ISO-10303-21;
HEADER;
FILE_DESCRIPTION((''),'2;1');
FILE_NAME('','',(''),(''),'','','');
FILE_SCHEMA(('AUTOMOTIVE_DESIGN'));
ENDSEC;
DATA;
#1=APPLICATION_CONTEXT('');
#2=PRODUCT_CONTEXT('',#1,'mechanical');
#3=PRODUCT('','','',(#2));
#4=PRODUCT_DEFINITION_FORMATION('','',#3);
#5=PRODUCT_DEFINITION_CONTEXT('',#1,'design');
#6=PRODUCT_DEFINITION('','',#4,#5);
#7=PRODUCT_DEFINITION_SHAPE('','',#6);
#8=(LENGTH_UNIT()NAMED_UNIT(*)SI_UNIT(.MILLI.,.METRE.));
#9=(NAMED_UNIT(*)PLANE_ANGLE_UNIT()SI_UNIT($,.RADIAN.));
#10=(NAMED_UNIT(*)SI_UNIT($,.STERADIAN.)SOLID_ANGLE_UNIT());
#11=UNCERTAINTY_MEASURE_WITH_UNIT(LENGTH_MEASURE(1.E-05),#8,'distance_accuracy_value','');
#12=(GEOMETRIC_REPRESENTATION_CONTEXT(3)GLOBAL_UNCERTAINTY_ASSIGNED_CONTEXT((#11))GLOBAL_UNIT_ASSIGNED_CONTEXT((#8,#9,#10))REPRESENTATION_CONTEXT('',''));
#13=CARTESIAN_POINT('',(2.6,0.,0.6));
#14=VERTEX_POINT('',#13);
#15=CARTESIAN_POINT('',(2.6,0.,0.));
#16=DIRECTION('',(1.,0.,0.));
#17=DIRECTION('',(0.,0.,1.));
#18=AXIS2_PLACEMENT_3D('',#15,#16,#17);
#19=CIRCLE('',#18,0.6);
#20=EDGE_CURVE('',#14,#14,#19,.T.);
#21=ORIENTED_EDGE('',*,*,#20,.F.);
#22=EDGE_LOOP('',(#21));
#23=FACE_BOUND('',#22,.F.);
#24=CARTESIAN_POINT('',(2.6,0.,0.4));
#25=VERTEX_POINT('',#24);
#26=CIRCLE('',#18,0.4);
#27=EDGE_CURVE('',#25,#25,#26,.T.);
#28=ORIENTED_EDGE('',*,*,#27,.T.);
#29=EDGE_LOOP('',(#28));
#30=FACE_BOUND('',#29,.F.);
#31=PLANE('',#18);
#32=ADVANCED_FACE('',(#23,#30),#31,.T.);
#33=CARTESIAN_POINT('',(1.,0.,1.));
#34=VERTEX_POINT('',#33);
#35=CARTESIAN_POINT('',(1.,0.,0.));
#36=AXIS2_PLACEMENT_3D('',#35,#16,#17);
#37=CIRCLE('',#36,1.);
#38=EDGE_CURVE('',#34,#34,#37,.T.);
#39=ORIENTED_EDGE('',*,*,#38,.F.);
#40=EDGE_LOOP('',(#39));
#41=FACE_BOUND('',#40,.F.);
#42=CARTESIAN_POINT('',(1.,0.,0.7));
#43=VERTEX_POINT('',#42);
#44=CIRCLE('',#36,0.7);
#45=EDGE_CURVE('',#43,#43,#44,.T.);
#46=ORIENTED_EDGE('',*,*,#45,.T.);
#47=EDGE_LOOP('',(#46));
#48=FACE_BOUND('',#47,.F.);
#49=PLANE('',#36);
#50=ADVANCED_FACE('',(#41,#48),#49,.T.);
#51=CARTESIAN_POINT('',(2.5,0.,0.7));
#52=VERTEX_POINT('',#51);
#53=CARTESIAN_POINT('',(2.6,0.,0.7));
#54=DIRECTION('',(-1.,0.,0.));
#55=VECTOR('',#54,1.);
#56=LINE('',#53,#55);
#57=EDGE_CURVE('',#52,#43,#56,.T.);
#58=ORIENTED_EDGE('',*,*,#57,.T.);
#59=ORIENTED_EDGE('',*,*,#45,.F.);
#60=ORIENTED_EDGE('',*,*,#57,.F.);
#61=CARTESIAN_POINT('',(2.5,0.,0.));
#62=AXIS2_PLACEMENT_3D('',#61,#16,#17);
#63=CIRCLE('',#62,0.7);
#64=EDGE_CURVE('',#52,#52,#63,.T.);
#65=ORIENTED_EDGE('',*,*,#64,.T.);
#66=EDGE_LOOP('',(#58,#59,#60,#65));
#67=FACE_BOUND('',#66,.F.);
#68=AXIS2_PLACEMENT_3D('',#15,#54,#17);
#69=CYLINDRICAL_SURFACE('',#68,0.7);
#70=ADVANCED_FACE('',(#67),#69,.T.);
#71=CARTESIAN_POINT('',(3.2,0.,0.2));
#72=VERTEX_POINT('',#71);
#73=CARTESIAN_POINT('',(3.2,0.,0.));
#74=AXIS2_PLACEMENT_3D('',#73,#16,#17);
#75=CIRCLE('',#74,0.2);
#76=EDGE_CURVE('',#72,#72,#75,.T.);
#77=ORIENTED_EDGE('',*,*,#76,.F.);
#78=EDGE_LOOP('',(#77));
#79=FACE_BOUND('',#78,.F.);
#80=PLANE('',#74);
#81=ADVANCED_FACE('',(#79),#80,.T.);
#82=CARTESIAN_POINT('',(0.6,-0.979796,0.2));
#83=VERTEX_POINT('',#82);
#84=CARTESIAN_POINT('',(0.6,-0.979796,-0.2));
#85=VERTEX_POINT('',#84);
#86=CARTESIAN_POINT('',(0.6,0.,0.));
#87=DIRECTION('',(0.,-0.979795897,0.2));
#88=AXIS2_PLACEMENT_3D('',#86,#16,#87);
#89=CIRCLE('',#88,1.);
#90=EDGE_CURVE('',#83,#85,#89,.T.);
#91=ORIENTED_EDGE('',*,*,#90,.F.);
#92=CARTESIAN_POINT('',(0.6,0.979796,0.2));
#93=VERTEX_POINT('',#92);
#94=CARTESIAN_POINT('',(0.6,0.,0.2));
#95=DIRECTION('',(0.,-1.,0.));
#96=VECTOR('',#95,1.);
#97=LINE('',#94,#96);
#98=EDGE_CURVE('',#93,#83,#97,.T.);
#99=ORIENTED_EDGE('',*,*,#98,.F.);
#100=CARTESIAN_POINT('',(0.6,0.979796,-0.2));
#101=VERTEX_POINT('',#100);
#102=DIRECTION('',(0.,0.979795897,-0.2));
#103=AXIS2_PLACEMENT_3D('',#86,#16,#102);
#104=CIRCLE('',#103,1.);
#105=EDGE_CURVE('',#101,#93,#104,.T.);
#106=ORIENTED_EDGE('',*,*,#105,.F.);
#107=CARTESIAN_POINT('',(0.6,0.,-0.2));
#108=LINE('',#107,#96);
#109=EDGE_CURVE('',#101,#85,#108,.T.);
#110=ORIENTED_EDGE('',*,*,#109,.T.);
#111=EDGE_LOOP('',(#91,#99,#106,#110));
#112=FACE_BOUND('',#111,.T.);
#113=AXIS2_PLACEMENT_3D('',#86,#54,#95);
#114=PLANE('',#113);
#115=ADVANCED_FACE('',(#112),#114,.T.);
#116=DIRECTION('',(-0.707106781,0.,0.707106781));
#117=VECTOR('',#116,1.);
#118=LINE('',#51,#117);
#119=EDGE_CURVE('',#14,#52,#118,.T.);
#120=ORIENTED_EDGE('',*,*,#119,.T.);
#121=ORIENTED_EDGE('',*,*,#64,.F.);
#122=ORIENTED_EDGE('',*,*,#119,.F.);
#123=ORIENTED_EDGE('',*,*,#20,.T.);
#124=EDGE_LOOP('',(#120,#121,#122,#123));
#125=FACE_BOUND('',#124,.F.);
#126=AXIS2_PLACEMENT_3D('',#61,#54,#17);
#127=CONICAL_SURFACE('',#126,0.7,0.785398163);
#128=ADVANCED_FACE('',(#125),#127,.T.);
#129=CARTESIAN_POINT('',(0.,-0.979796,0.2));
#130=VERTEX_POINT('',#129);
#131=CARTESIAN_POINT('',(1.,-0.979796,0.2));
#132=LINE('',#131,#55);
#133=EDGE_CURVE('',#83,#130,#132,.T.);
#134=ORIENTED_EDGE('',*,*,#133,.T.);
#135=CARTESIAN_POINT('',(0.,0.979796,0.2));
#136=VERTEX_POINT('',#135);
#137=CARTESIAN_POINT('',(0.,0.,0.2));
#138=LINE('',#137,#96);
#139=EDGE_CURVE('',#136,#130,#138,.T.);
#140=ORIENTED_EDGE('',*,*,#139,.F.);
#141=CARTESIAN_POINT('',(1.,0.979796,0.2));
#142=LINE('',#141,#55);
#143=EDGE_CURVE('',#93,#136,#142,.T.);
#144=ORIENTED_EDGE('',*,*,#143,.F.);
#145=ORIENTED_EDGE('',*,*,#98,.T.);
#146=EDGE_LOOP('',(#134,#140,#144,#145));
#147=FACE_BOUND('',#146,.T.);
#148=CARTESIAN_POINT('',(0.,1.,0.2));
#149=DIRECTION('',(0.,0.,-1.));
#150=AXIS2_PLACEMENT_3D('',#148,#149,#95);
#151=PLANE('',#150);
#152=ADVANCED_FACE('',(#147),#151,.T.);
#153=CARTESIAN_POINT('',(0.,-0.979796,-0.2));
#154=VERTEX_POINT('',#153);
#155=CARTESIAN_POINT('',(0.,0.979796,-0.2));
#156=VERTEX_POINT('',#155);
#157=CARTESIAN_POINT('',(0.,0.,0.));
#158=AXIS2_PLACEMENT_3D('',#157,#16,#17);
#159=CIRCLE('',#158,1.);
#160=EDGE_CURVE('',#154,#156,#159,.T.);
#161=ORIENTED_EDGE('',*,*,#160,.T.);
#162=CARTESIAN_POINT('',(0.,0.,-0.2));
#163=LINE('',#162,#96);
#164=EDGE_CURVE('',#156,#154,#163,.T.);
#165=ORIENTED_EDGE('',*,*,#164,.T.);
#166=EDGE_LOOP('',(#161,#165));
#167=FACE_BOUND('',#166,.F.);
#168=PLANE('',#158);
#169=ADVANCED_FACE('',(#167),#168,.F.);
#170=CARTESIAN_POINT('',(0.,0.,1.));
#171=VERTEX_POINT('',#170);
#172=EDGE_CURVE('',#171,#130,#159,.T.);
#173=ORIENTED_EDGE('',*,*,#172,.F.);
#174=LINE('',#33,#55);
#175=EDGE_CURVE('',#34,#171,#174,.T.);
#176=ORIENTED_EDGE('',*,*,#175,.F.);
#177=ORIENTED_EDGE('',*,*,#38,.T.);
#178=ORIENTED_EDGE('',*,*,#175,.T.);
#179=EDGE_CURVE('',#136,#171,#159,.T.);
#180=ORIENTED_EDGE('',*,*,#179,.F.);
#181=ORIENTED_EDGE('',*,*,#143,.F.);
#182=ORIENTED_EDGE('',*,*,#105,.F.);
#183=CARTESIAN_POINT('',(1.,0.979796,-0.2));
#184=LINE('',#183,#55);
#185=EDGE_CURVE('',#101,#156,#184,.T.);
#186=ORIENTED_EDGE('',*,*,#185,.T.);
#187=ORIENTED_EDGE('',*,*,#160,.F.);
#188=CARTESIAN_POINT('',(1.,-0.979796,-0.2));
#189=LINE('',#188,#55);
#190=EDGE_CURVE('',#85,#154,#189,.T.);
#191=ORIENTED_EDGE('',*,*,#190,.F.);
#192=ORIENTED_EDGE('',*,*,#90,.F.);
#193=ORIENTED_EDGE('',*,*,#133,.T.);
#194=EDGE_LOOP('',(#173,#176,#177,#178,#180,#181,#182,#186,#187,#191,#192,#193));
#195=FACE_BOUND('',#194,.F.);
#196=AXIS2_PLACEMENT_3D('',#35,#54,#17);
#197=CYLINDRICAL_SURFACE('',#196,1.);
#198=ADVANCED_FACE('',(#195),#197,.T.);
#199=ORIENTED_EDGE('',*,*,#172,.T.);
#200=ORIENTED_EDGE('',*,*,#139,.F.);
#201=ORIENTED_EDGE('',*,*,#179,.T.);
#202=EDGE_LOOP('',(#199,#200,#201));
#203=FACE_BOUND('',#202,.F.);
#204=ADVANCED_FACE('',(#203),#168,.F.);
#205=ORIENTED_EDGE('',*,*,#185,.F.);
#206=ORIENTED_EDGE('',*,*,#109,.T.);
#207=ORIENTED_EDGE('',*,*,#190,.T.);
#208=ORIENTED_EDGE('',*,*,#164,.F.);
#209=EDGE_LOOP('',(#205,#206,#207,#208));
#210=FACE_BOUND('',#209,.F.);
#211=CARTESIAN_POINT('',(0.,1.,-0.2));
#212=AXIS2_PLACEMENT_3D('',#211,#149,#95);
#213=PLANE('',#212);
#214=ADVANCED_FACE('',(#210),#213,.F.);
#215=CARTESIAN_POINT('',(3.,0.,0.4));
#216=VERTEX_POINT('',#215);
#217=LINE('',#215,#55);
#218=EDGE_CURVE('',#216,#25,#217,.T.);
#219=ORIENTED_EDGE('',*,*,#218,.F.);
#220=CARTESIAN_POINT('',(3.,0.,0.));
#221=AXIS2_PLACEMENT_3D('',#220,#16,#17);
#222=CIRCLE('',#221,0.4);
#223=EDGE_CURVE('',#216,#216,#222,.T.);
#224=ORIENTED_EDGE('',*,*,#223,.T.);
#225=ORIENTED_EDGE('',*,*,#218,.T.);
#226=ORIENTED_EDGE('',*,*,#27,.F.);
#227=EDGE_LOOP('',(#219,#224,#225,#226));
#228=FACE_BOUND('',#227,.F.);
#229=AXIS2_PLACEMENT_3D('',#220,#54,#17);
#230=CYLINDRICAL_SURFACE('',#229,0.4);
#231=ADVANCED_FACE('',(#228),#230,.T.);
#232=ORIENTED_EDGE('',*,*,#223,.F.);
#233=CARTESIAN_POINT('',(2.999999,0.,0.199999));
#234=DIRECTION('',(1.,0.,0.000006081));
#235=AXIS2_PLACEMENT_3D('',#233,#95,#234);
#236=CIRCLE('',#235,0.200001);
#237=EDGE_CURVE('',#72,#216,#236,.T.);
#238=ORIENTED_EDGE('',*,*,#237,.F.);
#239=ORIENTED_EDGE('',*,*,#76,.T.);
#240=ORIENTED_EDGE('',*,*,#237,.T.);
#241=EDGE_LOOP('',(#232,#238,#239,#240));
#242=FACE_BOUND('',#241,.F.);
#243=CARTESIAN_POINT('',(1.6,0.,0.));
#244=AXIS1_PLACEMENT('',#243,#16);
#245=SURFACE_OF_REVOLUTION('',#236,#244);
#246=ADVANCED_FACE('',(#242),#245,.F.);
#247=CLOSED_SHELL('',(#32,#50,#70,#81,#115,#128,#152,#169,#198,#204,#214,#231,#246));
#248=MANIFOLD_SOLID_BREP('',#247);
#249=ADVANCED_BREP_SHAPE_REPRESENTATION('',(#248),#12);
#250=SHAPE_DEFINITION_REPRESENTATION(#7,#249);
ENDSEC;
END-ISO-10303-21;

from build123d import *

# Parameters (mm, degrees)
F2_SIZE  = 0.1
F3_W     = 2
F3_H     = 0.4
F4_DEPTH = 0.6


with BuildPart() as f1:
    # F0 (on Front) → F1 (revolve)
    with BuildSketch(Plane.XZ):
        Polygon((1, 1), (0, 1), (0, 0), (1, 0), (1, 0.7), align=None)
        Polygon((2.6, 0.7), (1, 0.7), (1, 0), (2.6, 0), (2.6, 0.4), align=None)
        with BuildLine():
            Line((2.6, 0.4), (2.6, 0))
            Line((2.6, 0), (3.2, 0))
            Line((3.2, 0), (3.2, 0.2))
            ThreePointArc((3.2, 0.2), (3.141421, 0.341421), (3, 0.4))
            Line((3, 0.4), (2.6, 0.4))
        make_face()
    revolve(axis=Axis((1.6, 0, 0), (1, 0, 0)))

    # F2
    f2_edges = [f1.edges().sort_by_distance(p)[0] for p in [
        (2.6, 0, -0.7),
    ]]
    chamfer(f2_edges, length=F2_SIZE)

    # F3 (on face) → F4 (cut)
    with BuildSketch(Plane(origin=(0, 0, 0), x_dir=(0, -1, 0), z_dir=(-1, 0, 0))):
        Rectangle(F3_W, F3_H)
    extrude(amount=-F4_DEPTH, mode=Mode.SUBTRACT)


solid = f1.part
